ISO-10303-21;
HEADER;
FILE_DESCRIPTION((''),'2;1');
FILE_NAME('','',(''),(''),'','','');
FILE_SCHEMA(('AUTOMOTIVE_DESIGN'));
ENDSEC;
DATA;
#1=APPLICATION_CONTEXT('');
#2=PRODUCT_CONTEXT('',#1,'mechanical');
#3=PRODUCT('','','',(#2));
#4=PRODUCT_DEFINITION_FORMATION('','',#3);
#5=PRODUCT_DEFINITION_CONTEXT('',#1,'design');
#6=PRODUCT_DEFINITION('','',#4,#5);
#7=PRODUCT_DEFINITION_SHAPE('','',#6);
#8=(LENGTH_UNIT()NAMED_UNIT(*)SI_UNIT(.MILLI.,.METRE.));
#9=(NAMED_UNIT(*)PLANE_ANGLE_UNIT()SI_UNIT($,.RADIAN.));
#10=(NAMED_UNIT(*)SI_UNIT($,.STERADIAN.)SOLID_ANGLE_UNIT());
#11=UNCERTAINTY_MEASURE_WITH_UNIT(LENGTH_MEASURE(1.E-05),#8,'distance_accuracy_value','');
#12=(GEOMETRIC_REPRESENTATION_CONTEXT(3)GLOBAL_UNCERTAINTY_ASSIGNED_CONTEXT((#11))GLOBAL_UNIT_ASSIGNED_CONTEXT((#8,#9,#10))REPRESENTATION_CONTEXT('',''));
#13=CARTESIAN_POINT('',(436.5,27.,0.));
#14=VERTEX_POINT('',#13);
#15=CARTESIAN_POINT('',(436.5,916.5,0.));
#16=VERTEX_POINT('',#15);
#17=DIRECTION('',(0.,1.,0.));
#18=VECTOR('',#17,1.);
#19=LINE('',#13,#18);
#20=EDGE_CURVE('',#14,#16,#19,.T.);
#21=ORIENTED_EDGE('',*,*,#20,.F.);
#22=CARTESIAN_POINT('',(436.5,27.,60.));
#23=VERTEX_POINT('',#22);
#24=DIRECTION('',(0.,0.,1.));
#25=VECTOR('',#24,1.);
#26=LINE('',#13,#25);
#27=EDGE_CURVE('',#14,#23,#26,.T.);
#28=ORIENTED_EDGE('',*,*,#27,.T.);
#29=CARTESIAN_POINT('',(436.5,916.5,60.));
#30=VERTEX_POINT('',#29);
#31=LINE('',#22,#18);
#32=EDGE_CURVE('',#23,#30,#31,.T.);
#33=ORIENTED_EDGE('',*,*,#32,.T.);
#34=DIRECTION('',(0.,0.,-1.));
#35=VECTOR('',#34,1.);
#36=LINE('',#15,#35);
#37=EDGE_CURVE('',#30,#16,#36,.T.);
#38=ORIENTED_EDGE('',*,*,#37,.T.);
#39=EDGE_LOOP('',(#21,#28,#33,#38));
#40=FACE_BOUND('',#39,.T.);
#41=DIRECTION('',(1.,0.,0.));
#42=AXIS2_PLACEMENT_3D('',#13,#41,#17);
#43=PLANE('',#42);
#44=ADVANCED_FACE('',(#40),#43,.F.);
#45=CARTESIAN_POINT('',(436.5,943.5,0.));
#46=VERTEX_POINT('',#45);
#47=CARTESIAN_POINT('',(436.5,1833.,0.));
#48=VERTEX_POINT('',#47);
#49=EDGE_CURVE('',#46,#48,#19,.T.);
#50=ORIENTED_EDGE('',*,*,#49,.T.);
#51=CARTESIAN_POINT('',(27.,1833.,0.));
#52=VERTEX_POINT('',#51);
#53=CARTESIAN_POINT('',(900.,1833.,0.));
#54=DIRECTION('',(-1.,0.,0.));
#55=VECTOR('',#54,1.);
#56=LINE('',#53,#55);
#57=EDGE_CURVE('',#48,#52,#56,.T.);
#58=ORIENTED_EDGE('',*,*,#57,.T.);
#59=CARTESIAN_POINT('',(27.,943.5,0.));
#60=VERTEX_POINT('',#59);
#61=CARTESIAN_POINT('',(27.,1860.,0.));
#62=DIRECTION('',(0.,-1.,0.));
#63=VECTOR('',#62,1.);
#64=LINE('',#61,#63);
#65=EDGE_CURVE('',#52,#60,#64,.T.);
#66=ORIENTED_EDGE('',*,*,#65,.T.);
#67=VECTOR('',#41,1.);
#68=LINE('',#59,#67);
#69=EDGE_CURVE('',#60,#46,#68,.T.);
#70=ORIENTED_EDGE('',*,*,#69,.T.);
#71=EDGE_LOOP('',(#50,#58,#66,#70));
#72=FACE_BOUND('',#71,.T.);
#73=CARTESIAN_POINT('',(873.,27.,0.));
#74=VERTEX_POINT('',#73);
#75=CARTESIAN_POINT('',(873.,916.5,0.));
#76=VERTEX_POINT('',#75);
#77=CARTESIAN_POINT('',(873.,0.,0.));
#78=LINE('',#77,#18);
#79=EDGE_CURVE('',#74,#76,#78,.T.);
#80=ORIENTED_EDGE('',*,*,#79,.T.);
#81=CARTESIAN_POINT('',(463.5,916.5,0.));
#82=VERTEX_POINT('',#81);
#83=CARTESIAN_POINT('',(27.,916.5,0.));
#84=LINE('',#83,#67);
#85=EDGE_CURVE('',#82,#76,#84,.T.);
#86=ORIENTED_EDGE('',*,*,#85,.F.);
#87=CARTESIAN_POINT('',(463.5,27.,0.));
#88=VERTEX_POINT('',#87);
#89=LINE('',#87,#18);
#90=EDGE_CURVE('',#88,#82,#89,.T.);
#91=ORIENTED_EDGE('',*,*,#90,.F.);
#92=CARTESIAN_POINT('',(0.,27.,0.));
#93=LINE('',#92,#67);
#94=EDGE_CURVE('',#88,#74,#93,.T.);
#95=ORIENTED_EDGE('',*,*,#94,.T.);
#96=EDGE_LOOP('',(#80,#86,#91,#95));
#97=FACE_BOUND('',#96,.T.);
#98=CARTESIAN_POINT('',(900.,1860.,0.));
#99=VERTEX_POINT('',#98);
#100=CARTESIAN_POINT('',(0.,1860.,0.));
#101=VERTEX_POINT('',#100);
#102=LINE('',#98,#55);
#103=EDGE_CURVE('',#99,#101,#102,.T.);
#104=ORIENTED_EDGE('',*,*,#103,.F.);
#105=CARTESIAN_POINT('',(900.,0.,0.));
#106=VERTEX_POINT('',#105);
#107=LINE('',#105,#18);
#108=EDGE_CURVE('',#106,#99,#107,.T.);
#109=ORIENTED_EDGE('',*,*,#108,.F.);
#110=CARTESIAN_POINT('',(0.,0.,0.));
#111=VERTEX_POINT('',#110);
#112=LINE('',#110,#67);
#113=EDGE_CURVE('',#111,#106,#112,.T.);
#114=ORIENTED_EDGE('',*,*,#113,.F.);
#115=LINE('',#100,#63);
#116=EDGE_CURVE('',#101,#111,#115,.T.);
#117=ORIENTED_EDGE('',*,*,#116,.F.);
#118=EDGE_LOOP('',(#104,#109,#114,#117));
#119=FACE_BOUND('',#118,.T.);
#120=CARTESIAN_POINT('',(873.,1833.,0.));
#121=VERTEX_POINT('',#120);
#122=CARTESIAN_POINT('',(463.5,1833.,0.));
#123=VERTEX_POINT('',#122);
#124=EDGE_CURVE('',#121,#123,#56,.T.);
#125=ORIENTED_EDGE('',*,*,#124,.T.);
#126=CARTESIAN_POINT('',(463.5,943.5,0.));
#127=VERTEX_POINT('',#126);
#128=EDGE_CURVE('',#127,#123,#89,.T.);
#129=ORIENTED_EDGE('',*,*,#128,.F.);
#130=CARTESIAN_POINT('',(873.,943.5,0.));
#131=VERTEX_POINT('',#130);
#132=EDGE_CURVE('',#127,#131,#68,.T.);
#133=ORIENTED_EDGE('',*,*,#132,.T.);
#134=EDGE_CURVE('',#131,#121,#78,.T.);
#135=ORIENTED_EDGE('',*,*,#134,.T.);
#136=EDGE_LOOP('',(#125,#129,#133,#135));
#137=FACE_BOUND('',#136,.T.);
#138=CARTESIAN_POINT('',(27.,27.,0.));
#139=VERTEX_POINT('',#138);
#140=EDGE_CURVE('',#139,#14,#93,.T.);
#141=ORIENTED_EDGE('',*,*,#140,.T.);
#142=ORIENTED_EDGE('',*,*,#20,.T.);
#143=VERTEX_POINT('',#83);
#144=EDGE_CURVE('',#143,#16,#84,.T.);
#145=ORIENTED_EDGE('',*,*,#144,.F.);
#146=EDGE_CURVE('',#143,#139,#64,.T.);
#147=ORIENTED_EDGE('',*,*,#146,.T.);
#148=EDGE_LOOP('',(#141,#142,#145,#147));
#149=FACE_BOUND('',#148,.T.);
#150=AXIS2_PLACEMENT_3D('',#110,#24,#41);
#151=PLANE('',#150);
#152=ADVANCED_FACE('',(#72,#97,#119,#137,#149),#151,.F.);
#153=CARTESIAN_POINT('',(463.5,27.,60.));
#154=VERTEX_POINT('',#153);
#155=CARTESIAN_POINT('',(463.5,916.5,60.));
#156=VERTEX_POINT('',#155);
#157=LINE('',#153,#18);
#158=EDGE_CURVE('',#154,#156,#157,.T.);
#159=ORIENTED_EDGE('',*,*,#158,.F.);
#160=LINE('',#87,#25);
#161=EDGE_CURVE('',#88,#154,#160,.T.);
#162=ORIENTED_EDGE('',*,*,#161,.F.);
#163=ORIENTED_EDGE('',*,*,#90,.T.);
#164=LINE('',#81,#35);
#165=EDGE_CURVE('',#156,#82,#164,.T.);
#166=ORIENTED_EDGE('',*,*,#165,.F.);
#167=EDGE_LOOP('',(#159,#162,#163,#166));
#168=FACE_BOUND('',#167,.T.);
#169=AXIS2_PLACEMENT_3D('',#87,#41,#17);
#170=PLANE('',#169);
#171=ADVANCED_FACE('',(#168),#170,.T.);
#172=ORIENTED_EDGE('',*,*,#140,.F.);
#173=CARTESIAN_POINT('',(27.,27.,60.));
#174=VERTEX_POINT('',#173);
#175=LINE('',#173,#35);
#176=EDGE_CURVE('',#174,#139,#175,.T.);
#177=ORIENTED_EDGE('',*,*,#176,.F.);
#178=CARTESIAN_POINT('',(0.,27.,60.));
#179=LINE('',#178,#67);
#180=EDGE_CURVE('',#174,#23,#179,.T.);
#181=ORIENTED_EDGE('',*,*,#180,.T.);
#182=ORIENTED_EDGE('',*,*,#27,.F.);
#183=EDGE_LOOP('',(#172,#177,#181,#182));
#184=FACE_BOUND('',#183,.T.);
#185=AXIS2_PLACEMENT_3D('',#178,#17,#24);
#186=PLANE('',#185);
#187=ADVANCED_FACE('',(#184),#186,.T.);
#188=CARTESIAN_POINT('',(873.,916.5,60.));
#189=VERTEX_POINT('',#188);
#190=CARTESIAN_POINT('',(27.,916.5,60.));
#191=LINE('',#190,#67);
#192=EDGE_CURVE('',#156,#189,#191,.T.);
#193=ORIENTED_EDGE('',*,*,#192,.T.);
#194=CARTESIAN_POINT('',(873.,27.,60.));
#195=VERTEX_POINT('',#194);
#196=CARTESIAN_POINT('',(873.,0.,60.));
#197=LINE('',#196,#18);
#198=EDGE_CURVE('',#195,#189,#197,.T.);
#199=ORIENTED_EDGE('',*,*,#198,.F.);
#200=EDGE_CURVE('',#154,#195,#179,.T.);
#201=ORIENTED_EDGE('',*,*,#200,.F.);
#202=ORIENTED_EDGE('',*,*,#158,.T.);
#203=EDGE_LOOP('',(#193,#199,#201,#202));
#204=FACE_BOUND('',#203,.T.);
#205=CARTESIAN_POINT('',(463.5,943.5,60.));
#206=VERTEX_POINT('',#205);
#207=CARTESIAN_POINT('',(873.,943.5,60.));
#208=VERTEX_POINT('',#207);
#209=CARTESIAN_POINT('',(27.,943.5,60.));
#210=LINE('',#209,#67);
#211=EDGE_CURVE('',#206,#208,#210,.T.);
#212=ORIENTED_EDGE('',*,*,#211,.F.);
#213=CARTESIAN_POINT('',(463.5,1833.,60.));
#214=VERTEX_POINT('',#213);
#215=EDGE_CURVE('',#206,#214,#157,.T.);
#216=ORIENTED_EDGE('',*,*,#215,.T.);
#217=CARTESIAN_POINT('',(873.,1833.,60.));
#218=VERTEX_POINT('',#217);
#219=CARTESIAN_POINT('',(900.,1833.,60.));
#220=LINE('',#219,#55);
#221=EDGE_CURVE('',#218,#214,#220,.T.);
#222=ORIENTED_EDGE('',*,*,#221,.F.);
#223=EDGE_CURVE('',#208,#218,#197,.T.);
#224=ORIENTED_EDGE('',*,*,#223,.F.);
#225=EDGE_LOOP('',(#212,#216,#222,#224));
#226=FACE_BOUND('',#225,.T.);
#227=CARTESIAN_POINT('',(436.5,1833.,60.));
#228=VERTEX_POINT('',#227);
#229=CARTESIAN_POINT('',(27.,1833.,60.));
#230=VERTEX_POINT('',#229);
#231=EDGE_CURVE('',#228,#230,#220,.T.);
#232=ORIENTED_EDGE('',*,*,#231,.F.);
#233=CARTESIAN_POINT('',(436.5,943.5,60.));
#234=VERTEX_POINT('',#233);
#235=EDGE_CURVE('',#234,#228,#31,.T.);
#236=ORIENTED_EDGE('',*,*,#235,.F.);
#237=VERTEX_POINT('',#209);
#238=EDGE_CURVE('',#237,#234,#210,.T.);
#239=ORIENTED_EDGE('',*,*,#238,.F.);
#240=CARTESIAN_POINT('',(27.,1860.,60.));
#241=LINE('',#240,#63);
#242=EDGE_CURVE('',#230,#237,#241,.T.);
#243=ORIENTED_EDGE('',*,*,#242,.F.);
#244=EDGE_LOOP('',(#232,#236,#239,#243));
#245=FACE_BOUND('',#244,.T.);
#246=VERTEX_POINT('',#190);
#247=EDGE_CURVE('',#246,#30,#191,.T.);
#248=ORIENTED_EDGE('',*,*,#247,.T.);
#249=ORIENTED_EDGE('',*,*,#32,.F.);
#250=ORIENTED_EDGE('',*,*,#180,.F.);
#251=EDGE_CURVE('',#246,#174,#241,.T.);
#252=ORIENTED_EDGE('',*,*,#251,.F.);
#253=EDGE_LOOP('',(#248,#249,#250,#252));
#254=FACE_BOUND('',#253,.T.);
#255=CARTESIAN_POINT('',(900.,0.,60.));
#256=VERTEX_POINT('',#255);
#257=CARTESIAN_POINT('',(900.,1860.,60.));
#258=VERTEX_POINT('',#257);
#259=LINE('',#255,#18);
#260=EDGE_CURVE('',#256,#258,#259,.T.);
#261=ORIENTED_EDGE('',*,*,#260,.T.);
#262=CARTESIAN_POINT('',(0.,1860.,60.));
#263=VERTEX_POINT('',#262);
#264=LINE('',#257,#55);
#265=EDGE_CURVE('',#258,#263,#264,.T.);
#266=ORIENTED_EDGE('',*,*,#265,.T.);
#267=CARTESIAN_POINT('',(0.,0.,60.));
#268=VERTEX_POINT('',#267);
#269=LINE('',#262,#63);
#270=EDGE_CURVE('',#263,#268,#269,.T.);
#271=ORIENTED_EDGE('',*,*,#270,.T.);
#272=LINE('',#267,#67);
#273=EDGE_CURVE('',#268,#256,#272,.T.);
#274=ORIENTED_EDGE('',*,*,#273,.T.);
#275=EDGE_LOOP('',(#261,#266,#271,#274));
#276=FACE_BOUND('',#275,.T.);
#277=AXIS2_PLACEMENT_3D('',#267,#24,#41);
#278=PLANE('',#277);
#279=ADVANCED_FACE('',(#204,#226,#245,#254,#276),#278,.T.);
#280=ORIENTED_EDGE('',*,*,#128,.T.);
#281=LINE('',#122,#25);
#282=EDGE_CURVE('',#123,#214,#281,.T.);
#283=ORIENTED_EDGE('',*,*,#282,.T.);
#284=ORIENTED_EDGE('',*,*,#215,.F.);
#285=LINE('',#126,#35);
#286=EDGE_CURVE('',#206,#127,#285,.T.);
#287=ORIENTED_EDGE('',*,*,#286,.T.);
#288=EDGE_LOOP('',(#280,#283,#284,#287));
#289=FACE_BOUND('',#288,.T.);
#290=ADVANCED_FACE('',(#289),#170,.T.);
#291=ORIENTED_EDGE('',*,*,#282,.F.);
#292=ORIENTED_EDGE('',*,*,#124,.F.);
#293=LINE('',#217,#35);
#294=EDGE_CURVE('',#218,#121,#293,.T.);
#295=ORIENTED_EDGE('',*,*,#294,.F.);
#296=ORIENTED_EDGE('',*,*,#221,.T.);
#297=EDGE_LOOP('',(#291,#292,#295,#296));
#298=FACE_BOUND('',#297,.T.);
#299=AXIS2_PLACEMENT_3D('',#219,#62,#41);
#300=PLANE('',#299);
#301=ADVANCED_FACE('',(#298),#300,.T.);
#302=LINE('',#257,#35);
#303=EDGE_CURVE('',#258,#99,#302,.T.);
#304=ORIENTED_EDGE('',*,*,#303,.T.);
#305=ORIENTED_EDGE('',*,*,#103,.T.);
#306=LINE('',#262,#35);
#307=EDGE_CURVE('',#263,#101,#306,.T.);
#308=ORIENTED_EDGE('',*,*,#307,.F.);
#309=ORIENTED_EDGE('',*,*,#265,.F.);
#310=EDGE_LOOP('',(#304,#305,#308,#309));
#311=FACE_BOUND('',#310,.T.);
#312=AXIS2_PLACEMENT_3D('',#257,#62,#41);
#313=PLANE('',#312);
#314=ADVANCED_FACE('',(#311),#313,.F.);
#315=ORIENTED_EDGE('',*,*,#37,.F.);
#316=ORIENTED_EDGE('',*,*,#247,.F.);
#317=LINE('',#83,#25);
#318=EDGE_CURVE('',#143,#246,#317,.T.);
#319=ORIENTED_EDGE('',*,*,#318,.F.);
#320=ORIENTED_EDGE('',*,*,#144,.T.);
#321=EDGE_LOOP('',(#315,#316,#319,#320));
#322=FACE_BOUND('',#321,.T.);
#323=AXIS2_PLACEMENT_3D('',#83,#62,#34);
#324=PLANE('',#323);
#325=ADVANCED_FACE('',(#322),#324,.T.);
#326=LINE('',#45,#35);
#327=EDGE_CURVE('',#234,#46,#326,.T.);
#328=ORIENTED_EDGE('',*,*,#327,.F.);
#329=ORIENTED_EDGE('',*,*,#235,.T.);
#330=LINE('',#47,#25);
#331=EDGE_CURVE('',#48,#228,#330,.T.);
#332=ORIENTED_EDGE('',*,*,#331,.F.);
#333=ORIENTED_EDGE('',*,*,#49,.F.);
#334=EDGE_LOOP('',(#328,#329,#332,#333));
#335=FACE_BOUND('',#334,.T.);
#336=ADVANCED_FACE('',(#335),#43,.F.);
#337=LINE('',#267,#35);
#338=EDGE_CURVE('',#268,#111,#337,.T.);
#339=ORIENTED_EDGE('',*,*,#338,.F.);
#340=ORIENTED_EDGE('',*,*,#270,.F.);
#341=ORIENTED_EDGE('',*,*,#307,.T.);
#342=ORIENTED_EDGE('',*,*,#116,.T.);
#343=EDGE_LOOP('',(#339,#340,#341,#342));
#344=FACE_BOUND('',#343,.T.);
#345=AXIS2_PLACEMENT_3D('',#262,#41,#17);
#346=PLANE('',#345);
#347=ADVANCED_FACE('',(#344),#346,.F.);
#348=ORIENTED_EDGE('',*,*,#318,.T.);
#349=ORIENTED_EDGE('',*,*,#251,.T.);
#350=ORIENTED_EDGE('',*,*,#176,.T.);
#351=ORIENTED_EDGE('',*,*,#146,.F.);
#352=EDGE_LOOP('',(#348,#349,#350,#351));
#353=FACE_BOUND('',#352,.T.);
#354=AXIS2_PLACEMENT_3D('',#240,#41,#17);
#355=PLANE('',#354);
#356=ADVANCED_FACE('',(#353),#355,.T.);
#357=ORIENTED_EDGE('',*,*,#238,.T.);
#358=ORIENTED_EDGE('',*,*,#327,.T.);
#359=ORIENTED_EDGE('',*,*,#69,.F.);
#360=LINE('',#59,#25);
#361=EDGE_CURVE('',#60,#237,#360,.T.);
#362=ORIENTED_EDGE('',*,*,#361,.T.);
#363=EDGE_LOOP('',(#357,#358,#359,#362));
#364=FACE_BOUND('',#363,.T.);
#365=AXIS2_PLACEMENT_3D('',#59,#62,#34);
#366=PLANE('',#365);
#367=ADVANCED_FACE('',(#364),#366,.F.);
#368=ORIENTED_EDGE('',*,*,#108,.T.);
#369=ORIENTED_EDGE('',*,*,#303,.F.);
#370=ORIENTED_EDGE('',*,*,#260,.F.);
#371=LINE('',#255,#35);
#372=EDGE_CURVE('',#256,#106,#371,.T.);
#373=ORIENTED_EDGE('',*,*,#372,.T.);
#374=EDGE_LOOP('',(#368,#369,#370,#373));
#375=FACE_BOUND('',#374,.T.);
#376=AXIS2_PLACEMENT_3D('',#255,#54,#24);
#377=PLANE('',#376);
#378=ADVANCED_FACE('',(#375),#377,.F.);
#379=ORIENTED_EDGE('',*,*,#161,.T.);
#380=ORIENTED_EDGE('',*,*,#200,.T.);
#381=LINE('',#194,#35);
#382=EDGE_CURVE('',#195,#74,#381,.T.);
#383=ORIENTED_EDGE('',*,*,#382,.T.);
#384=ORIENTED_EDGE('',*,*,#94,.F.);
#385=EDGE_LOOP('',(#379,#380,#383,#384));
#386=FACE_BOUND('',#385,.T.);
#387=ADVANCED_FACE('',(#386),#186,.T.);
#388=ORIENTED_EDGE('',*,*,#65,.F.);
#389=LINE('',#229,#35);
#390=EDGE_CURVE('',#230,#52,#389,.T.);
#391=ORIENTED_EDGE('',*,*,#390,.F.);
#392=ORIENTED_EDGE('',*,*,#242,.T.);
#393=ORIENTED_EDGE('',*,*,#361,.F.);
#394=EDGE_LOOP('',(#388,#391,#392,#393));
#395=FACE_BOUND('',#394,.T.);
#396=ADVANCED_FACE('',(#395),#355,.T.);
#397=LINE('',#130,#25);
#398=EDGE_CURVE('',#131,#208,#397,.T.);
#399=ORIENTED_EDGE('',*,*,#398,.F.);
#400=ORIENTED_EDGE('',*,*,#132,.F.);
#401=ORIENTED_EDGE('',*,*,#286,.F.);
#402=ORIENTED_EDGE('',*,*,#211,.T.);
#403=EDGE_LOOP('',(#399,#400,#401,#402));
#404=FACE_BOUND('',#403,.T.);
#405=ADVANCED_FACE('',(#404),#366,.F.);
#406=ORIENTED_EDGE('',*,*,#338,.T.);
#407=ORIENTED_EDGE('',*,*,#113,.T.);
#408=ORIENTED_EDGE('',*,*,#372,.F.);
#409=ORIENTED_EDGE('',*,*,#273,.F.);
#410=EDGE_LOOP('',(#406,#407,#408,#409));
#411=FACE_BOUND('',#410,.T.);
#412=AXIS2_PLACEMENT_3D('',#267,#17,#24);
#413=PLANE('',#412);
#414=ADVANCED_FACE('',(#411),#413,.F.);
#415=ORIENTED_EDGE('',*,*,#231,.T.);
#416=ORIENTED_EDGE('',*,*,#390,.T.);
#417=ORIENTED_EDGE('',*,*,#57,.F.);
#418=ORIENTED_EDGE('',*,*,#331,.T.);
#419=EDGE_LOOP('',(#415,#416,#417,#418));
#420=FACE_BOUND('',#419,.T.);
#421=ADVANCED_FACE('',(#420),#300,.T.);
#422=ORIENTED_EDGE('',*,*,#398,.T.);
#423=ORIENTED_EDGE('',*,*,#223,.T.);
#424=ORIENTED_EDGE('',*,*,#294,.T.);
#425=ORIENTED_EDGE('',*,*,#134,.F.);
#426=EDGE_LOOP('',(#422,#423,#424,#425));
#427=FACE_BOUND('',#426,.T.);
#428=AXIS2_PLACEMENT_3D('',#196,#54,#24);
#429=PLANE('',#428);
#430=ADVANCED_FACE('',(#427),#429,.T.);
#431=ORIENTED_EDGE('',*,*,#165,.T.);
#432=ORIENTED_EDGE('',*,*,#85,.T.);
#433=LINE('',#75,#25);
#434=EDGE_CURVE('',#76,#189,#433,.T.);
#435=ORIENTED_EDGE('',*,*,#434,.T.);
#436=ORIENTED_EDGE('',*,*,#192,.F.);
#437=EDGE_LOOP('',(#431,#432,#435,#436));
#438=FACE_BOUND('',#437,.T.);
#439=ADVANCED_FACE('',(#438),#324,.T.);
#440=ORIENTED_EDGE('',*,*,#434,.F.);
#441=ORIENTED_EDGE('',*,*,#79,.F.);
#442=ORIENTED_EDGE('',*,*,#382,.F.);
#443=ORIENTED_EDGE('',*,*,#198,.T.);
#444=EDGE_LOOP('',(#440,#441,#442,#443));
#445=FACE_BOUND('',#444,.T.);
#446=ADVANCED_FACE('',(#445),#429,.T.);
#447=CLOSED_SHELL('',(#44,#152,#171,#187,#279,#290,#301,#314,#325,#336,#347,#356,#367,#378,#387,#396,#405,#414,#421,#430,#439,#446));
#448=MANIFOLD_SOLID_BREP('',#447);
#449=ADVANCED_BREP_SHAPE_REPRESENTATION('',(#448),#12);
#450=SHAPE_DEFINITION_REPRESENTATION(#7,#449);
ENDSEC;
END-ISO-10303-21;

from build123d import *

# Parameters (mm, degrees)
ESQUISSE1_W        = 900
ESQUISSE1_H        = 1860
ESQUISSE1_W_2      = 846
ESQUISSE1_H_2      = 1806
EXTRU_MINCE1_DEPTH = 60
ESQUISSE2_W        = 27
ESQUISSE2_H        = 1806
EXTRU_MINCE2_DEPTH = 60
ESQUISSE3_W        = 846
ESQUISSE3_H        = 27
EXTRU_MINCE3_DEPTH = 60


with BuildPart() as part:
    # Esquisse1 → Extru.-Mince1 (new body)
    with BuildSketch(Plane.XY):
        with Locations((450, 930)):
            Rectangle(ESQUISSE1_W, ESQUISSE1_H)
        with Locations((450, 930)):
            Rectangle(ESQUISSE1_W_2, ESQUISSE1_H_2, mode=Mode.SUBTRACT)
    extrude(amount=EXTRU_MINCE1_DEPTH)

    # Esquisse2 → Extru.-Mince2 (add)
    with BuildSketch(Plane.XY.offset(60)):
        with Locations((450, 930)):
            Rectangle(ESQUISSE2_W, ESQUISSE2_H)
    extrude(amount=-EXTRU_MINCE2_DEPTH)

    # Esquisse3 → Extru.-Mince3 (add)
    with BuildSketch(Plane.XY.offset(60)):
        with Locations((450, 930)):
            Rectangle(ESQUISSE3_W, ESQUISSE3_H)
    extrude(amount=-EXTRU_MINCE3_DEPTH)


solid = part.part
